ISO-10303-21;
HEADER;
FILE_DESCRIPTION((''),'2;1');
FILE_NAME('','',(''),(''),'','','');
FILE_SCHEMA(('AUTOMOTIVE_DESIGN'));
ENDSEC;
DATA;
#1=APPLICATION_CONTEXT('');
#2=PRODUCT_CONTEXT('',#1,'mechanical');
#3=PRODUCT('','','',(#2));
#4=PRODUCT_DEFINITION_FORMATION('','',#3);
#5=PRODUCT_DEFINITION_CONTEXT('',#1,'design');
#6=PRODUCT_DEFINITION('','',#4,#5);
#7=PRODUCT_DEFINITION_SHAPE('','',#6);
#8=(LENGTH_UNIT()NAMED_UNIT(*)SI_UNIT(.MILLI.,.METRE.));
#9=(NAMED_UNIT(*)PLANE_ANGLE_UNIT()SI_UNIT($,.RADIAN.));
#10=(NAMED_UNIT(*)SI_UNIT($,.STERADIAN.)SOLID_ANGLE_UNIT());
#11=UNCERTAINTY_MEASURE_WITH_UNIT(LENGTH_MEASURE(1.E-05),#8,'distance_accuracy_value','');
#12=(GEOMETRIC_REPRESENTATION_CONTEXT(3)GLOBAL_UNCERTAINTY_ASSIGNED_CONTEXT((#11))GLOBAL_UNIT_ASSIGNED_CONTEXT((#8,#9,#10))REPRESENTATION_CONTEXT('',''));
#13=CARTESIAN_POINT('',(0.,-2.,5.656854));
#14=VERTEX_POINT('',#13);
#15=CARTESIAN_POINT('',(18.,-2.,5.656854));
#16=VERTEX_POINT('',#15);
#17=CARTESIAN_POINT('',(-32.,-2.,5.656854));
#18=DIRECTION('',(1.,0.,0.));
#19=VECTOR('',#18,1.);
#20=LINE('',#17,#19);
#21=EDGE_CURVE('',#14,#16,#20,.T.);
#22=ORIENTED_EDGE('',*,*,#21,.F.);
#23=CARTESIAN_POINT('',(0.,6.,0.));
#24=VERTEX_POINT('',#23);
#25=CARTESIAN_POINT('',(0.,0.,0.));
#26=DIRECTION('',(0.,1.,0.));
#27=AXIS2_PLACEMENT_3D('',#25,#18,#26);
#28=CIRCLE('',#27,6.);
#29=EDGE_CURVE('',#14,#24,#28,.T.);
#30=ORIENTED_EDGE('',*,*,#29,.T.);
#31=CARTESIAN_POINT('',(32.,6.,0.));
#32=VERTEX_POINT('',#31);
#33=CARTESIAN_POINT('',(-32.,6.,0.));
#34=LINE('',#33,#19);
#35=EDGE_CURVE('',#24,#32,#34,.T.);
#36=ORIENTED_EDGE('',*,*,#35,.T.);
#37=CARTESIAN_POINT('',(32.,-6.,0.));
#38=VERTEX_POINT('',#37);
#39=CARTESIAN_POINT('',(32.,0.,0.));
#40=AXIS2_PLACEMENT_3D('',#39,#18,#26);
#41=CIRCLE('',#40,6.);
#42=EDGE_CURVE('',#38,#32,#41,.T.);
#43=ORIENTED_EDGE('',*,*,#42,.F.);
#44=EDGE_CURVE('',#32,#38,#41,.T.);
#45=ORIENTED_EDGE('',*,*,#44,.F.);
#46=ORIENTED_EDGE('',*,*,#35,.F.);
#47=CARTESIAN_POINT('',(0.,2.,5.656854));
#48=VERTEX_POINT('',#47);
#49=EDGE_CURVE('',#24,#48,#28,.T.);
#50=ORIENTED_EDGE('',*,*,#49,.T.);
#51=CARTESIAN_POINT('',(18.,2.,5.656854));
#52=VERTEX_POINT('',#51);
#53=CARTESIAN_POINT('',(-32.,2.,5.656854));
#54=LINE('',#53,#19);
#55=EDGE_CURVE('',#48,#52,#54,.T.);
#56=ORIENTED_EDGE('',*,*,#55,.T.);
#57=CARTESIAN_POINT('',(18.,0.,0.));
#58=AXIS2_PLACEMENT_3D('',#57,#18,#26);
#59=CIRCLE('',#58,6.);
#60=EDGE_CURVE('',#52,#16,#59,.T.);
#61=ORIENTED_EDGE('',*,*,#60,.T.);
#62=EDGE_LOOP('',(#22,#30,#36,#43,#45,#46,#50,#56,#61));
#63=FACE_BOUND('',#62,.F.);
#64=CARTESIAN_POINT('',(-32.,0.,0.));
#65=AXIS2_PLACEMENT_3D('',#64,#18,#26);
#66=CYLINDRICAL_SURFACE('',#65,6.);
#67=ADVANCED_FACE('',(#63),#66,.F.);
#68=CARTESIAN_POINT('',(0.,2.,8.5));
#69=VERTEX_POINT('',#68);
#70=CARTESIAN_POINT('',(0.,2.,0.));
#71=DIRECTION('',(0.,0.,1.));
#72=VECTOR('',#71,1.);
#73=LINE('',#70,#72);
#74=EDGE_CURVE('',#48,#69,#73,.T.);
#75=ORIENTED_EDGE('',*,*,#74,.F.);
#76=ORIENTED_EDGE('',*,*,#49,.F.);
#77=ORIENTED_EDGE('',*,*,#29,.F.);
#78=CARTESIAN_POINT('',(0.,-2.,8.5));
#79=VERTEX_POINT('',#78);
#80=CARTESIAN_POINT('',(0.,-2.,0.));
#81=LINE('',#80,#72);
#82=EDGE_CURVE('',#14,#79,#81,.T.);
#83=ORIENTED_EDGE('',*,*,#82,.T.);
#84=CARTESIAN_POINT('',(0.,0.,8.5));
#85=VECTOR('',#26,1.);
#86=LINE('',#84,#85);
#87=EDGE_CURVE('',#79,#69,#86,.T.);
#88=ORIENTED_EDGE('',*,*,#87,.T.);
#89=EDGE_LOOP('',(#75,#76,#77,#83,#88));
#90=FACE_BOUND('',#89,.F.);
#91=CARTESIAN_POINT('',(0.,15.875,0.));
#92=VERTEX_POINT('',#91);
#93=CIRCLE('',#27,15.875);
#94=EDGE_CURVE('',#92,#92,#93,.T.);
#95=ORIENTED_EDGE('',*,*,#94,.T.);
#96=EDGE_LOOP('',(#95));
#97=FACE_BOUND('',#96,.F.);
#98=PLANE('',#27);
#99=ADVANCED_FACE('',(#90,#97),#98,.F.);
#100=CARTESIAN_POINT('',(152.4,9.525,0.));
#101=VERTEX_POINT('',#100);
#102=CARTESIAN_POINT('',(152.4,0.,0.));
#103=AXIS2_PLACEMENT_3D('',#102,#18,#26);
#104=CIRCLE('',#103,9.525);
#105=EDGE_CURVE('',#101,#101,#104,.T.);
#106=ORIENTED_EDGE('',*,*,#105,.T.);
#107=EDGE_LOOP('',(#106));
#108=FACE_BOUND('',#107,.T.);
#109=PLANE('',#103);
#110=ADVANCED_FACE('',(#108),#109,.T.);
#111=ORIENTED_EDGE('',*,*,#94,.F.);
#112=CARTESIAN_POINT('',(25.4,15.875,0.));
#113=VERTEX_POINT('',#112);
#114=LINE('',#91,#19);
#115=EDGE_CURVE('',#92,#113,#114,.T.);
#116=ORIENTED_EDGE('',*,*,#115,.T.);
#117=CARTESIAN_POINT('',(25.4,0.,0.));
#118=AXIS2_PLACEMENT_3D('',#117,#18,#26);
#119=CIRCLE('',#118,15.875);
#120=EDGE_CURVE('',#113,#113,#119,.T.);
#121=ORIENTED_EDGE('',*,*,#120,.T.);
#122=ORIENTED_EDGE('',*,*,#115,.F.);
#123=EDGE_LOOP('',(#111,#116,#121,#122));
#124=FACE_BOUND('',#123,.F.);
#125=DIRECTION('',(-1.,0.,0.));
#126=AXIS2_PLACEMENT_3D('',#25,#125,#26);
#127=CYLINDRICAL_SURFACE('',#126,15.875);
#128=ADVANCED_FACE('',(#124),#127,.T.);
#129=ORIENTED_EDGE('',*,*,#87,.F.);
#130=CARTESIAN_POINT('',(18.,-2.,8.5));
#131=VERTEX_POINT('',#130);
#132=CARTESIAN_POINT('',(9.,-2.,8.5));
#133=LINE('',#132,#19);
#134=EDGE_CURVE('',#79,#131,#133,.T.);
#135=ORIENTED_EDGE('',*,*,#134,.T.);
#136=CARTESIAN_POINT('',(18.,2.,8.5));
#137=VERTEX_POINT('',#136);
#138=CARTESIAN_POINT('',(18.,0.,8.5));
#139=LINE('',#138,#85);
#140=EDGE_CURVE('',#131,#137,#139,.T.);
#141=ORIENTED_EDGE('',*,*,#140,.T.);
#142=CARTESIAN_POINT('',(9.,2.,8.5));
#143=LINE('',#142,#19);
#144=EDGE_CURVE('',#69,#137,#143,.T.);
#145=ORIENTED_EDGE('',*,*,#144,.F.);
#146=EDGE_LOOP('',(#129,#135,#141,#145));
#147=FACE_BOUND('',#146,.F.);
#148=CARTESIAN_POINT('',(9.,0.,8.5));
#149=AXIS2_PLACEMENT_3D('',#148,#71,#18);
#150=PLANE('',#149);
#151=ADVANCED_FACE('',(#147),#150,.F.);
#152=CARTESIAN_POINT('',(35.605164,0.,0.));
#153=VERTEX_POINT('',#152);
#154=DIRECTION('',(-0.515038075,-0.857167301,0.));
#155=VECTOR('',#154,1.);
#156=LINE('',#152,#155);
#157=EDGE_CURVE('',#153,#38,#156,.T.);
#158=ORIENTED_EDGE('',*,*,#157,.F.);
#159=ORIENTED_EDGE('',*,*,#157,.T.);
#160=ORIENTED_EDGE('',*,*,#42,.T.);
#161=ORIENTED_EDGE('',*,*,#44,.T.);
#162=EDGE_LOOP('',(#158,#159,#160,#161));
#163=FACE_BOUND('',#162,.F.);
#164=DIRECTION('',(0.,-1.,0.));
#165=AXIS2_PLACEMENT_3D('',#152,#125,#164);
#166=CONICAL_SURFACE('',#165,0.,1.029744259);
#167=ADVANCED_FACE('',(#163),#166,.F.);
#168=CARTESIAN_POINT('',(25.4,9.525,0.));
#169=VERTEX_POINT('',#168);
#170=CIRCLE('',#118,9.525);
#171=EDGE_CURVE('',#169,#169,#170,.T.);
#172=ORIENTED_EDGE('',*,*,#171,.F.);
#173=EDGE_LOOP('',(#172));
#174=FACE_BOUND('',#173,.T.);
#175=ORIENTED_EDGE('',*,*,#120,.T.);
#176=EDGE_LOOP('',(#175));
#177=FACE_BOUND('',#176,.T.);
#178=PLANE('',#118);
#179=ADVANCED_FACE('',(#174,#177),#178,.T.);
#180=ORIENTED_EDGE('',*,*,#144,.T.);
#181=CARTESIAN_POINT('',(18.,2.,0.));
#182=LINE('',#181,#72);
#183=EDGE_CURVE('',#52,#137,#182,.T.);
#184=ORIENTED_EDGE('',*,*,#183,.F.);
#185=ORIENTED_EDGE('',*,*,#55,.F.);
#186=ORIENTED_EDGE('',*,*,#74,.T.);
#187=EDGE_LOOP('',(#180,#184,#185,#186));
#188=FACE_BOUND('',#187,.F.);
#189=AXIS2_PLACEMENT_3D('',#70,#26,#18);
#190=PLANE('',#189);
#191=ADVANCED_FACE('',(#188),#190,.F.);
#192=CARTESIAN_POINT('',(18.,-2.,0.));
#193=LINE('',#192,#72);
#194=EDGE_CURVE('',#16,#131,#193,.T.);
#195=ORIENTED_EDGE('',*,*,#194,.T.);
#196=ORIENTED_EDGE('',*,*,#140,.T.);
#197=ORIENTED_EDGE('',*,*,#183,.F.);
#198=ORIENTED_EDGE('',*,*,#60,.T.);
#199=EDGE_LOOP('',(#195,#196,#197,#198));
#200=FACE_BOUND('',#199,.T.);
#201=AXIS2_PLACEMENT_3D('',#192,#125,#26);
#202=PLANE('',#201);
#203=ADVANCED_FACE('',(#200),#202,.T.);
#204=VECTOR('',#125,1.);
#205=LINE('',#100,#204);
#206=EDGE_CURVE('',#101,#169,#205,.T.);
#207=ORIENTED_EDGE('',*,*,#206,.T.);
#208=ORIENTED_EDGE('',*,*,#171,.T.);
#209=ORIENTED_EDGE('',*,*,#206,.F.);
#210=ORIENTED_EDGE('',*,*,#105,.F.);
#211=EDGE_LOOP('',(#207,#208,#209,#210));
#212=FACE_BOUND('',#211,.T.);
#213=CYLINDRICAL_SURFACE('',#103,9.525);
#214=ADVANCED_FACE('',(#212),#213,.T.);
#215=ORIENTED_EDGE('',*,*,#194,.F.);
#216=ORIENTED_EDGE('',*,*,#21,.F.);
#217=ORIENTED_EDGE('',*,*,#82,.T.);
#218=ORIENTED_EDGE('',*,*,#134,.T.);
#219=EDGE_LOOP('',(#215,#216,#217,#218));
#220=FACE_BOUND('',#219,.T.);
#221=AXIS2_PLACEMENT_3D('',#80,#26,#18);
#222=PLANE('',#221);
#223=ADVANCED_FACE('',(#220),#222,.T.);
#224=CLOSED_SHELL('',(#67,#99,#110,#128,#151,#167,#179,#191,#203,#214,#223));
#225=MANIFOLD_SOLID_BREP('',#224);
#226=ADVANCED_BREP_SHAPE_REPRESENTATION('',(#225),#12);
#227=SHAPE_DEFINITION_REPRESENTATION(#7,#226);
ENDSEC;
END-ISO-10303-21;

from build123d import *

# Parameters (mm, degrees)
F0_R     = 15.875
F1_DEPTH = 152.4
F3_D     = 12
F3_DEPTH = 32
F3_TIP   = 3.6051637142
F4_W     = 18
F4_H     = 4
F5_DEPTH = 8.5
F6_R     = 15.875
F6_R_2   = 9.525
F7_DEPTH = 127


with BuildPart() as f1:
    # F0 (on Right) → F1 (new body)
    with BuildSketch(Plane.YZ):
        Circle(F0_R)
    extrude(amount=F1_DEPTH)

    # F3
    with Locations(Plane(origin=(0, 0, 0), x_dir=(0, -1, 0), z_dir=(-1, 0, 0))):
        with Locations((0, 0)):
            Hole(F3_D / 2, depth=F3_DEPTH)
            with Locations((0, 0, -(F3_DEPTH + F3_TIP / 2))):  # 118° drill point
                Cone(0, F3_D / 2, F3_TIP, mode=Mode.SUBTRACT)

    # F4 (on Top) → F5 (cut)
    with BuildSketch(Plane.XY):
        with Locations((9, 0)):
            Rectangle(F4_W, F4_H)
    extrude(amount=F5_DEPTH, mode=Mode.SUBTRACT)

    # F6 (on face) → F7 (cut)
    with BuildSketch(Plane.YZ.offset(152.4)):
        Circle(F6_R)
        Circle(F6_R_2, mode=Mode.SUBTRACT)
    extrude(amount=-F7_DEPTH, mode=Mode.SUBTRACT)


solid = f1.part
